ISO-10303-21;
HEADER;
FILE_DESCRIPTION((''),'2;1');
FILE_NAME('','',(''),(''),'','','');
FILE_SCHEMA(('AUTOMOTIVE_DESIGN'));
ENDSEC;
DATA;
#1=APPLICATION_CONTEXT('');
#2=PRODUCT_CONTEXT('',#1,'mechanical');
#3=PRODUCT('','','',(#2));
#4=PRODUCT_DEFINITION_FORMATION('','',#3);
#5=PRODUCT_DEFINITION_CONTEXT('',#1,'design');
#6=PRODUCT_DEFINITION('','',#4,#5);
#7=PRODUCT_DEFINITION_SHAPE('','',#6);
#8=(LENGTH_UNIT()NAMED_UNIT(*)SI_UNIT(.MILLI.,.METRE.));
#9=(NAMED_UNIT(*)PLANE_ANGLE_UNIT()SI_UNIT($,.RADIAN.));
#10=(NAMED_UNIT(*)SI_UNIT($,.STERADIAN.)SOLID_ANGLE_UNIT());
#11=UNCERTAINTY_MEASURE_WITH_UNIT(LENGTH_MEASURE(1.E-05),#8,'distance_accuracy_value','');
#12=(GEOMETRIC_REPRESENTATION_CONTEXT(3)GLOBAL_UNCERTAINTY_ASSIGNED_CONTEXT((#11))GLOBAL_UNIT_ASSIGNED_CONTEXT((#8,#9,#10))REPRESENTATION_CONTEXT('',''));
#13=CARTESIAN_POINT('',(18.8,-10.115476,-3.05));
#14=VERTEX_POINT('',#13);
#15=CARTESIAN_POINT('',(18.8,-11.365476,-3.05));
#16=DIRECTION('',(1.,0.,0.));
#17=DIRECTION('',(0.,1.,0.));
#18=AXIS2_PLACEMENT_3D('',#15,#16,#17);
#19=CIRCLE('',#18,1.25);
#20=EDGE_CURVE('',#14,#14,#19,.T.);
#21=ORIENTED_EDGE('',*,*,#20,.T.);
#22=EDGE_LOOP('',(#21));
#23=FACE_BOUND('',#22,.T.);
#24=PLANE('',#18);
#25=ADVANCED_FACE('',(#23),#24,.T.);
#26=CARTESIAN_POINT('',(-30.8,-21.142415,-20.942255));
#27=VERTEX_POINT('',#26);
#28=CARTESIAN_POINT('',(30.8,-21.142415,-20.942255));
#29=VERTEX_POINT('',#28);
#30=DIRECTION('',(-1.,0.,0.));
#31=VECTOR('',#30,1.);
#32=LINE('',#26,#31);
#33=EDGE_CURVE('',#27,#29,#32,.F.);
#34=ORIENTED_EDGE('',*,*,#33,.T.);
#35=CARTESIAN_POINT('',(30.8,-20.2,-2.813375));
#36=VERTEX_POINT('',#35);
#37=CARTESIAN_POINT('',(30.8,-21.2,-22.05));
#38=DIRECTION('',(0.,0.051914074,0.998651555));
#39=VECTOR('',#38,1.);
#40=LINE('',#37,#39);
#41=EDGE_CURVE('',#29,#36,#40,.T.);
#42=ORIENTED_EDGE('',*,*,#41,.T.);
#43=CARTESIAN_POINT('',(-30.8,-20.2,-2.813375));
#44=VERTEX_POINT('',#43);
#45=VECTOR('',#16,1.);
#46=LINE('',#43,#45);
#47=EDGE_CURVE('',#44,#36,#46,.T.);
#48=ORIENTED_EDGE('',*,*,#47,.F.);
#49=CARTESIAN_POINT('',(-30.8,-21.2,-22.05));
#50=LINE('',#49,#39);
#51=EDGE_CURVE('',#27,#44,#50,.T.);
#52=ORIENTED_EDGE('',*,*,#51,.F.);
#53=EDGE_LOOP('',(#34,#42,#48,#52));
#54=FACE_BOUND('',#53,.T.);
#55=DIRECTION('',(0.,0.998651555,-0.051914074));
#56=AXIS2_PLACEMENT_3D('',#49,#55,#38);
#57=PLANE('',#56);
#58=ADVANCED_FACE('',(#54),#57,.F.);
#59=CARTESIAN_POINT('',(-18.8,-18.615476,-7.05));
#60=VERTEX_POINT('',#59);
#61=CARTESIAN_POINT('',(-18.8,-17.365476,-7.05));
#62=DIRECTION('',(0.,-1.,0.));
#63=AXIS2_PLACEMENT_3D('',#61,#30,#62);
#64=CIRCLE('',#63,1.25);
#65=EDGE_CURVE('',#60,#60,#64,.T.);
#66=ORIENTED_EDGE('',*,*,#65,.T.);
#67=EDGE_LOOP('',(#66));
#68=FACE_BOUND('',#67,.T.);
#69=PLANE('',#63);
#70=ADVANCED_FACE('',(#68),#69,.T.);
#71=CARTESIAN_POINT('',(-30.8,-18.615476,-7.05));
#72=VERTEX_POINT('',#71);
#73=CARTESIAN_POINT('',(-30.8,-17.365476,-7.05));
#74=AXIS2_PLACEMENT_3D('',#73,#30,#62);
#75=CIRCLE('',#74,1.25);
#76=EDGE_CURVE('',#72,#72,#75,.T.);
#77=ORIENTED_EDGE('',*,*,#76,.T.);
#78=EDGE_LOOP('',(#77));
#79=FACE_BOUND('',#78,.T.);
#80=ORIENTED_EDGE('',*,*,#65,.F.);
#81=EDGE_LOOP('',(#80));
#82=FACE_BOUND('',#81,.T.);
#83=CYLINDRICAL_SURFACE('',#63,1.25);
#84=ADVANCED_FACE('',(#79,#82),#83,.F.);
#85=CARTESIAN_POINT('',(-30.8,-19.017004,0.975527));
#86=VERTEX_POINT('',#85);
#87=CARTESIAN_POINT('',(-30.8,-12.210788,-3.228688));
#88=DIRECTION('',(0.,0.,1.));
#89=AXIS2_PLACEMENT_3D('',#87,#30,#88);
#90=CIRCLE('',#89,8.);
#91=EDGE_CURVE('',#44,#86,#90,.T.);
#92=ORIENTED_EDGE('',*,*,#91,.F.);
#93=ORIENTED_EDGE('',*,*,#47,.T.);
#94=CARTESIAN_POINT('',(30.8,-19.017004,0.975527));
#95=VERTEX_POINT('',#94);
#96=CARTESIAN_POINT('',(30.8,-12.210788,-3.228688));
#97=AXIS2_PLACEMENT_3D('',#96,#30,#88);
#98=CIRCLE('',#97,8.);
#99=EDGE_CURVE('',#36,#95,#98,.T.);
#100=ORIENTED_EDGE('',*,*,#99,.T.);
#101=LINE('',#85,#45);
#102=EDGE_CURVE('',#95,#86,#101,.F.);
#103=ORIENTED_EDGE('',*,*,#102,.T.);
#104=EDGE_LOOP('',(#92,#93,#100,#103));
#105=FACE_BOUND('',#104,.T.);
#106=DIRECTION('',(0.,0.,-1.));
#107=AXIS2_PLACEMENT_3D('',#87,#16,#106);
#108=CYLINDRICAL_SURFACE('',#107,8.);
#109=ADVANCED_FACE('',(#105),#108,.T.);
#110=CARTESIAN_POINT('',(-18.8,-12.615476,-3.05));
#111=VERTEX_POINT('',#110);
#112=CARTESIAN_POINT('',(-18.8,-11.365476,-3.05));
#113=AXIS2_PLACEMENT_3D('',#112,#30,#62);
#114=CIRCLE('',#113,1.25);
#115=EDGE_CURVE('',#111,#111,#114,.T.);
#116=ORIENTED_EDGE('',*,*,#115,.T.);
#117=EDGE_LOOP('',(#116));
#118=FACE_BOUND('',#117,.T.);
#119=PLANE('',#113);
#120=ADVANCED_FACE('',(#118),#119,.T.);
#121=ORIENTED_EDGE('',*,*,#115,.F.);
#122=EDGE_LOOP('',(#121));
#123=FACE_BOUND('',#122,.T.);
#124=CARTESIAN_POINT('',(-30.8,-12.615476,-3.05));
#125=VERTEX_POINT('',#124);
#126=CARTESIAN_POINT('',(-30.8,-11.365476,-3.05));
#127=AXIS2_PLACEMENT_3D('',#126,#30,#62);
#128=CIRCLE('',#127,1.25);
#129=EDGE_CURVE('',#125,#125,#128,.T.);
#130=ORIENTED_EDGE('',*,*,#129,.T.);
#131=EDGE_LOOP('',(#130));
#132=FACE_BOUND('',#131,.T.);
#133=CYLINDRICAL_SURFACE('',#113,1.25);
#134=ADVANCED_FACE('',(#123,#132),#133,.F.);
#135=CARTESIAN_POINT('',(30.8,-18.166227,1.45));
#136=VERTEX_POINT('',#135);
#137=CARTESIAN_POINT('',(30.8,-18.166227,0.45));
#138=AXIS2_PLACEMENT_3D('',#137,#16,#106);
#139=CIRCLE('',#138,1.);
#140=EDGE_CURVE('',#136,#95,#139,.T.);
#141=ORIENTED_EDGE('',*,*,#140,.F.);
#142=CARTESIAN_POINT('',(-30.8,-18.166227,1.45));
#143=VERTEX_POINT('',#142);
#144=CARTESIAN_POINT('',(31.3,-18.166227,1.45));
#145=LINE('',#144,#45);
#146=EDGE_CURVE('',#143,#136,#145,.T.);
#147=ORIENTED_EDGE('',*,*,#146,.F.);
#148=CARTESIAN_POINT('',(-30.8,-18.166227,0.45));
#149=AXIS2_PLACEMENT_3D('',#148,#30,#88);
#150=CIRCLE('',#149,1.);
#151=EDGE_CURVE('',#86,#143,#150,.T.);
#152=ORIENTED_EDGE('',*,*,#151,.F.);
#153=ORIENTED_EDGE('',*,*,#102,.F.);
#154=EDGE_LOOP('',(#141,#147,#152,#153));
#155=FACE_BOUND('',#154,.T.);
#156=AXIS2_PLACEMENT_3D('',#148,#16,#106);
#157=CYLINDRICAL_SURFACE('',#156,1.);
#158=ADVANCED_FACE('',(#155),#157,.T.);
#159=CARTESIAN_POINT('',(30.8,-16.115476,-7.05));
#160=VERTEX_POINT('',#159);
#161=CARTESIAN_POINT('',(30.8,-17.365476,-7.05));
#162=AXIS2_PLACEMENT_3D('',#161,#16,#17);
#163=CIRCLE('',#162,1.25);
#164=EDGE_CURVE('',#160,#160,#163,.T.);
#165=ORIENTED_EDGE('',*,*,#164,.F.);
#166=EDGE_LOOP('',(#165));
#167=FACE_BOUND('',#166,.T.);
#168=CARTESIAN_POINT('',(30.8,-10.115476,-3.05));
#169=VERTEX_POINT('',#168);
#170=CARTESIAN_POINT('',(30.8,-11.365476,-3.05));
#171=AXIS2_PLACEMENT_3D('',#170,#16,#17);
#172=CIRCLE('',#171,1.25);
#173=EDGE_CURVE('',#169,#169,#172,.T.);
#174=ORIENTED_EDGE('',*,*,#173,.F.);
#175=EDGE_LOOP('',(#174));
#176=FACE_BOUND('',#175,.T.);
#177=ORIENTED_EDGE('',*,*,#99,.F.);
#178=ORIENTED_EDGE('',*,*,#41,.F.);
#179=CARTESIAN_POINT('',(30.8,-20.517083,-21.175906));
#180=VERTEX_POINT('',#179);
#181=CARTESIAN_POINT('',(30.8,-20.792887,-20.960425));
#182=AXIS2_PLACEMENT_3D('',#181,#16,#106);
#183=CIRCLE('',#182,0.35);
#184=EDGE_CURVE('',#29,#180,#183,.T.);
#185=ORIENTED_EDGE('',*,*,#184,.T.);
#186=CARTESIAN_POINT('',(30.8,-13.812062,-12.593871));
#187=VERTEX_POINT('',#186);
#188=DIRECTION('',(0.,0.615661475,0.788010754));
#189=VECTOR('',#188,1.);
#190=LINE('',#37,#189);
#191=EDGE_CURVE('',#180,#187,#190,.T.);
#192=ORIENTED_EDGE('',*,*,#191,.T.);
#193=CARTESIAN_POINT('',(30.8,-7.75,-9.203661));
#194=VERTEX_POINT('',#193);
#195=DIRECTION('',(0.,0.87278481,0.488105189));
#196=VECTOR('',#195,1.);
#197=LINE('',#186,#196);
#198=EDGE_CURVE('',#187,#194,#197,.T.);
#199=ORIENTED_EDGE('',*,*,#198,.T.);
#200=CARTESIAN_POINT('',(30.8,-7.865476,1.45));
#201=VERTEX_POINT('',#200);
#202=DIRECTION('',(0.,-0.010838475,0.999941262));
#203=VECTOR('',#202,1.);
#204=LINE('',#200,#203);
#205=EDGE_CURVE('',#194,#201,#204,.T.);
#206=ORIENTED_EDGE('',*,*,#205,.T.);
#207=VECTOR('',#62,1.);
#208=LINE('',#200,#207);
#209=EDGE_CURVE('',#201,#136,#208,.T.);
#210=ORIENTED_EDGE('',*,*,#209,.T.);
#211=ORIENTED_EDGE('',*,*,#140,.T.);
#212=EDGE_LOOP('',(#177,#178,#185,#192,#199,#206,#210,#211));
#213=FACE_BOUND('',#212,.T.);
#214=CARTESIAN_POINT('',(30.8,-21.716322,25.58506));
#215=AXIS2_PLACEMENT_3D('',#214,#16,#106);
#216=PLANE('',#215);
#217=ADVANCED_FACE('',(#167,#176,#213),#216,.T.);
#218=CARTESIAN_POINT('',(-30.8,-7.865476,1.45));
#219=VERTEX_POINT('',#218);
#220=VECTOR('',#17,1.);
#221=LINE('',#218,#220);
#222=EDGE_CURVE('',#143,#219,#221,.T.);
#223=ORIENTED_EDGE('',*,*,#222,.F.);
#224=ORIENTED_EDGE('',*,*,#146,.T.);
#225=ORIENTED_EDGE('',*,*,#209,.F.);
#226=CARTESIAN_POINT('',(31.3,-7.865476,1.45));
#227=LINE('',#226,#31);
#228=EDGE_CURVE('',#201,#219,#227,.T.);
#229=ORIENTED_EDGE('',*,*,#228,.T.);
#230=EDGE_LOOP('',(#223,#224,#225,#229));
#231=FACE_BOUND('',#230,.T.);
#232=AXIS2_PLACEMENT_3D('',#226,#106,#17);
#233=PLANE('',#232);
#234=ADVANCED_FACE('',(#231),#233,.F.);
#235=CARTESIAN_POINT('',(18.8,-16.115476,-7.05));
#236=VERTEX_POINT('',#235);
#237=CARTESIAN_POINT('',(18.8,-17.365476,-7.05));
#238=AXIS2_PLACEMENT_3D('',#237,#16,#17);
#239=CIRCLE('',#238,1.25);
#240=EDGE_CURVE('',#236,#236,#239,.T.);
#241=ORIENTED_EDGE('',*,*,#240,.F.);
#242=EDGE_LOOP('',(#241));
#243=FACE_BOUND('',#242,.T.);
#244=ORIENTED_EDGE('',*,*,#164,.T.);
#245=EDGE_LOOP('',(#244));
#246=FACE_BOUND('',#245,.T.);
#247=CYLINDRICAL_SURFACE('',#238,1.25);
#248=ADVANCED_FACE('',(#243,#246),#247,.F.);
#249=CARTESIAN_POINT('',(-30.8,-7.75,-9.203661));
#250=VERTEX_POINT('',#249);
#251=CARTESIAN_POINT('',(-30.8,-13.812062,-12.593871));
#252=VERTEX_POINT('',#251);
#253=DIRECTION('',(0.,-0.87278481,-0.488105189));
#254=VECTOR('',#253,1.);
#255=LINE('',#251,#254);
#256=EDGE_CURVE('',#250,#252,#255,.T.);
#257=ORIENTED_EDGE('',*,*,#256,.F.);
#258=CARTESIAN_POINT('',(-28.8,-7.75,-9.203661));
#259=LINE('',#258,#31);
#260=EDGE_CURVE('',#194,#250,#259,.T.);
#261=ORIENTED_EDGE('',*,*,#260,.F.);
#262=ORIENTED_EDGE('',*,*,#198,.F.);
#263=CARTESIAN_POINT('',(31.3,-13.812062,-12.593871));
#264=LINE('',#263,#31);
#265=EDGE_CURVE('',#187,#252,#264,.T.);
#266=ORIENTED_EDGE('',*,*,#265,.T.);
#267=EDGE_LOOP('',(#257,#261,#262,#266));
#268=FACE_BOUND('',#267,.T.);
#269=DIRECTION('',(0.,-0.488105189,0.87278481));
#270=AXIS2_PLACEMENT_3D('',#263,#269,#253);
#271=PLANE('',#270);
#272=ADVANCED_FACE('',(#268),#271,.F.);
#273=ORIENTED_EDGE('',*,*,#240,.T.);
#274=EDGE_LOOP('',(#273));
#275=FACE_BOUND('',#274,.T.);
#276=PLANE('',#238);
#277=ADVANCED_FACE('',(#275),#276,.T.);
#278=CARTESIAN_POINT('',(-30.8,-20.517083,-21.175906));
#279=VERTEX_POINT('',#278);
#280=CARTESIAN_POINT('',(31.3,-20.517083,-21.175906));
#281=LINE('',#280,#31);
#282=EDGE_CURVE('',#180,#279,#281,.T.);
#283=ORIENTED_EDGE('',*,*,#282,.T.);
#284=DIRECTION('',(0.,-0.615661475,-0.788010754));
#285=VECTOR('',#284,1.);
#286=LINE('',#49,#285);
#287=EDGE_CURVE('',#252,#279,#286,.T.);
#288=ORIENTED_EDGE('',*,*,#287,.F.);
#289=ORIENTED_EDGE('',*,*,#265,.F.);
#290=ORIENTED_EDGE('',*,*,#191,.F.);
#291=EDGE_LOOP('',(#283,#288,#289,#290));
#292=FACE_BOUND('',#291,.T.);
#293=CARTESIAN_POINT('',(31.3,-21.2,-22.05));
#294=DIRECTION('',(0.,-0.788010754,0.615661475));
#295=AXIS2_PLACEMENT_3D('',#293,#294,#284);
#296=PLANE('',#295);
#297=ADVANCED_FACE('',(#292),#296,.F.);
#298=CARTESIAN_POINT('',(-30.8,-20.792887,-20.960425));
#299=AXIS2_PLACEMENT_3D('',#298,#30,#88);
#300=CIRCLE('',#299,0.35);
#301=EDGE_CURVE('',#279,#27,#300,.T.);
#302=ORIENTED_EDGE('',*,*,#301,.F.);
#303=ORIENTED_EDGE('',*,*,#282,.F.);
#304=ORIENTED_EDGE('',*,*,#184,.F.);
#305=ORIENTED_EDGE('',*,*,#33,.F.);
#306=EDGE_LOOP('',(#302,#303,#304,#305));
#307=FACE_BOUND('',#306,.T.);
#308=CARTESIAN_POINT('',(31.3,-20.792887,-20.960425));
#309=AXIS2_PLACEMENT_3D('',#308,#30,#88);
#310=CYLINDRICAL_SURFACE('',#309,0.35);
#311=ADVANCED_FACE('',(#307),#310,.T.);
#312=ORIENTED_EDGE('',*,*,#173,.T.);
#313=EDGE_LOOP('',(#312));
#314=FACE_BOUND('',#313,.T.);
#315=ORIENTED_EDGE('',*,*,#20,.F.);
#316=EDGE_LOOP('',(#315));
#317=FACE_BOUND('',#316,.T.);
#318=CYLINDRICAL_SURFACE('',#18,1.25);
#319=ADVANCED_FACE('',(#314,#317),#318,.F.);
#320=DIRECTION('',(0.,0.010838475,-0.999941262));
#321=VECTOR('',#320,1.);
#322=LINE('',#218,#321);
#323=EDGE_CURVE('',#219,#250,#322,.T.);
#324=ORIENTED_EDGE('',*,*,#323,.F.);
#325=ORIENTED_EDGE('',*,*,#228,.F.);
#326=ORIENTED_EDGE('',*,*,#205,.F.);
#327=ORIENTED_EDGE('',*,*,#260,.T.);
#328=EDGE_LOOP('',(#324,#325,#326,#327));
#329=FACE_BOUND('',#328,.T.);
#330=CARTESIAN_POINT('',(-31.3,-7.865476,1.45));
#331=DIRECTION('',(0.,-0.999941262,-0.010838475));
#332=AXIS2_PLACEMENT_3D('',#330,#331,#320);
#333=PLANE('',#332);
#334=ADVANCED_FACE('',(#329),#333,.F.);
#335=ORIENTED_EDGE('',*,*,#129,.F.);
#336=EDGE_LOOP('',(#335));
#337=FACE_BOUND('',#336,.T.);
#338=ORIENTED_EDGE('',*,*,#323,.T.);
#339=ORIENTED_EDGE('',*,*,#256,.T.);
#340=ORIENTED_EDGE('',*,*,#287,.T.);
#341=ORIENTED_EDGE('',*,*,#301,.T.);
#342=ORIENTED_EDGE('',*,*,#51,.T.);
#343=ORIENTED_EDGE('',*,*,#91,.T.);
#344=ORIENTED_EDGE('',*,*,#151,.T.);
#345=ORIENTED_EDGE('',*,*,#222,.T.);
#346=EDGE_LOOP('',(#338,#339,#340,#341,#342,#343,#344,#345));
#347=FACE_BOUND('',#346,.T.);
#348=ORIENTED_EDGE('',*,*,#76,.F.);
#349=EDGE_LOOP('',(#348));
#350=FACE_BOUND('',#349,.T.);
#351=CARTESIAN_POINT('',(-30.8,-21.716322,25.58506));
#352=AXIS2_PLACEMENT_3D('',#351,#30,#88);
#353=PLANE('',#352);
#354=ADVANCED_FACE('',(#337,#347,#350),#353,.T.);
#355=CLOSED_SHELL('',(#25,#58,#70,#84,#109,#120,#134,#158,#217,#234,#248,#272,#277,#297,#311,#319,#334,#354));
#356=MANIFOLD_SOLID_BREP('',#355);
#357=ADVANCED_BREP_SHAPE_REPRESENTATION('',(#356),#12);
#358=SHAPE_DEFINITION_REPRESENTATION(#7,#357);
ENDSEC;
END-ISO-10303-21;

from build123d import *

# Parameters (mm, degrees)
SKETCH1_R               = 2.15
BOSS_EXTRUDE1_DEPTH     = 31.3
CUT_EXTRUDE1_REACH      = 48.052
SKETCH2_W               = 57.6
SKETCH2_H               = 12
CUT_EXTRUDE3_DEPTH      = 70.673542324
CUT_EXTRUDE4_DEPTH      = 41.650746822
CUT_EXTRUDE4_DEPTH_BACK = 41.650746822
SKETCH9_W               = 62.6
SKETCH9_H               = 53.637858301
SKETCH9_W_2             = 61.6
SKETCH9_H_2             = 51.637858301
SKETCH10_R              = 1.25
CUT_EXTRUDE5_DEPTH      = 12
CUT_EXTRUDE6_START      = -12
SKETCH11_R              = 1.25
CUT_EXTRUDE6_DEPTH      = 12
CORTE_EXTRUS_O1_DEPTH   = 69.776467632
FILETE1_R               = 1
FILETE2_R               = 0.35


with BuildPart() as part:
    # Sketch1 → Boss-Extrude1 (new, symmetric)
    with BuildSketch(Plane(origin=(0, 0, 0), x_dir=(0, 0, -1), z_dir=(1, 0, 0))):
        with BuildLine():
            Line((-4.25, 0), (-4.25, -4))
            ThreePointArc((-4.25, -4), (-4.121120876, -4.608298893), (-3.756629943, -5.112068414))
            Line((-3.756629943, -5.112068414), (-1.943370057, -6.753407807))
            ThreePointArc((-1.943370057, -6.753407807), (-1.578879124, -7.257177328), (-1.45, -7.865476221))
            Line((-1.45, -7.865476221), (-1.45, -21.2))
            Line((-1.45, -21.2), (22.05, -21.2))
            Line((22.05, -21.2), (12.593870957, -13.812062296))
            Line((12.593870957, -13.812062296), (3.709335443, 2.074447052))
            ThreePointArc((3.709335443, 2.074447052), (-1.071873212, 4.112613259), (-4.25, 0))
        make_face()
        Circle(SKETCH1_R, mode=Mode.SUBTRACT)
    extrude(amount=BOSS_EXTRUDE1_DEPTH, both=True)

    # Cut-Extrude1: up to this plane
    cut_extrude1_end = Plane(origin=(31.3, -13.812062296, -12.593870957), z_dir=(0, -0.4881051886126717, 0.8727848101619254))
    # Sketch2 → Cut-Extrude1 (cut, up to the surface)
    with BuildSketch(Plane.XY.offset(4.25), mode=Mode.PRIVATE) as cut_extrude1_sk1:
        with Locations((0, -1.75)):
            Rectangle(SKETCH2_W, SKETCH2_H)
    cut_extrude1_tool1 = split(extrude(cut_extrude1_sk1.sketch, amount=-CUT_EXTRUDE1_REACH, mode=Mode.PRIVATE), bisect_by=cut_extrude1_end, keep=Keep.BOTH, mode=Mode.PRIVATE)
    add(cut_extrude1_tool1.solids().sort_by_distance((0, -1.75, 4.25))[0], mode=Mode.SUBTRACT)

    # Sketch8 → Cut-Extrude3 (cut, through all)
    with BuildSketch(Plane(origin=(31.3, 0, 0), x_dir=(0, 0, -1), z_dir=(1, 0, 0))):
        with BuildLine():
            Line((-1.45, -7.865476221), (9.203660648, -7.75))
            Line((9.203660648, -7.75), (3.709335443, 2.074447052))
            ThreePointArc((3.709335443, 2.074447052), (-1.071873212, 4.112613259), (-4.25, 0))
            Line((-4.25, 0), (-4.25, -4))
            ThreePointArc((-4.25, -4), (-4.121120876, -4.608298893), (-3.756629943, -5.112068414))
            Line((-3.756629943, -5.112068414), (-1.943370057, -6.753407807))
            ThreePointArc((-1.943370057, -6.753407807), (-1.578879124, -7.257177328), (-1.45, -7.865476221))
        make_face()
    extrude(amount=-CUT_EXTRUDE3_DEPTH, mode=Mode.SUBTRACT)

    # Sketch9 → Cut-Extrude4 (cut, two sides: drawn at the far end of the back side and taken through both)
    with BuildSketch(Plane(origin=(0, -7.851819352, 0.190038007), x_dir=(1, 0, 0), z_dir=(0, 0.9999412620012955, 0.010838475319740372)).offset(-CUT_EXTRUDE4_DEPTH_BACK)):
        with Locations((0, 0.275128594)):
            Rectangle(SKETCH9_W, SKETCH9_H)
        with Locations((0, 0.275128594)):
            Rectangle(SKETCH9_W_2, SKETCH9_H_2, mode=Mode.SUBTRACT)
    extrude(amount=CUT_EXTRUDE4_DEPTH + CUT_EXTRUDE4_DEPTH_BACK, mode=Mode.SUBTRACT)

    # Sketch10 → Cut-Extrude5 (cut)
    with BuildSketch(Plane(origin=(30.8, 0, 0), x_dir=(0, 0, -1), z_dir=(1, 0, 0))):
        with Locations(Location((3.05, -11.365476221, 0), (0, 0, 90))):
            Circle(SKETCH10_R)
        with Locations(Location((7.05, -17.365476221, 0), (0, 0, 90))):
            Circle(SKETCH10_R)
    extrude(amount=-CUT_EXTRUDE5_DEPTH, mode=Mode.SUBTRACT)

    # Sketch11 → Cut-Extrude6 (cut)
    with BuildSketch(Plane.ZY.offset(30.8).offset(CUT_EXTRUDE6_START)):
        with Locations(Location((-7.05, -17.365476221, 0), (0, 0, 90))):
            Circle(SKETCH11_R)
        with Locations(Location((-3.05, -11.365476221, 0), (0, 0, 90))):
            Circle(SKETCH11_R)
    extrude(amount=CUT_EXTRUDE6_DEPTH, mode=Mode.SUBTRACT)

    # Esboço1 → Corte-extrusão1 (cut, through all)
    with BuildSketch(Plane(origin=(30.8, 0, 0), x_dir=(0, 0, -1), z_dir=(1, 0, 0))):
        with BuildLine():
            Line((-1.45, -21.2), (22.05, -21.2))
            Line((22.05, -21.2), (2.813375457, -20.2))
            ThreePointArc((2.813375457, -20.2), (0.573558931, -19.757329107), (-1.45, -18.7))
            Line((-1.45, -18.7), (-1.45, -21.2))
        make_face()
    extrude(amount=-CORTE_EXTRUS_O1_DEPTH, mode=Mode.SUBTRACT)

    # Filete1
    filete1_edges = [part.edges().sort_by_distance(p)[0] for p in [
        (0, -18.7, 1.45),
    ]]
    fillet(filete1_edges, radius=FILETE1_R)

    # Filete2
    filete2_edges = [part.edges().sort_by_distance(p)[0] for p in [
        (0, -21.2, -22.05),
    ]]
    fillet(filete2_edges, radius=FILETE2_R)


solid = part.part
